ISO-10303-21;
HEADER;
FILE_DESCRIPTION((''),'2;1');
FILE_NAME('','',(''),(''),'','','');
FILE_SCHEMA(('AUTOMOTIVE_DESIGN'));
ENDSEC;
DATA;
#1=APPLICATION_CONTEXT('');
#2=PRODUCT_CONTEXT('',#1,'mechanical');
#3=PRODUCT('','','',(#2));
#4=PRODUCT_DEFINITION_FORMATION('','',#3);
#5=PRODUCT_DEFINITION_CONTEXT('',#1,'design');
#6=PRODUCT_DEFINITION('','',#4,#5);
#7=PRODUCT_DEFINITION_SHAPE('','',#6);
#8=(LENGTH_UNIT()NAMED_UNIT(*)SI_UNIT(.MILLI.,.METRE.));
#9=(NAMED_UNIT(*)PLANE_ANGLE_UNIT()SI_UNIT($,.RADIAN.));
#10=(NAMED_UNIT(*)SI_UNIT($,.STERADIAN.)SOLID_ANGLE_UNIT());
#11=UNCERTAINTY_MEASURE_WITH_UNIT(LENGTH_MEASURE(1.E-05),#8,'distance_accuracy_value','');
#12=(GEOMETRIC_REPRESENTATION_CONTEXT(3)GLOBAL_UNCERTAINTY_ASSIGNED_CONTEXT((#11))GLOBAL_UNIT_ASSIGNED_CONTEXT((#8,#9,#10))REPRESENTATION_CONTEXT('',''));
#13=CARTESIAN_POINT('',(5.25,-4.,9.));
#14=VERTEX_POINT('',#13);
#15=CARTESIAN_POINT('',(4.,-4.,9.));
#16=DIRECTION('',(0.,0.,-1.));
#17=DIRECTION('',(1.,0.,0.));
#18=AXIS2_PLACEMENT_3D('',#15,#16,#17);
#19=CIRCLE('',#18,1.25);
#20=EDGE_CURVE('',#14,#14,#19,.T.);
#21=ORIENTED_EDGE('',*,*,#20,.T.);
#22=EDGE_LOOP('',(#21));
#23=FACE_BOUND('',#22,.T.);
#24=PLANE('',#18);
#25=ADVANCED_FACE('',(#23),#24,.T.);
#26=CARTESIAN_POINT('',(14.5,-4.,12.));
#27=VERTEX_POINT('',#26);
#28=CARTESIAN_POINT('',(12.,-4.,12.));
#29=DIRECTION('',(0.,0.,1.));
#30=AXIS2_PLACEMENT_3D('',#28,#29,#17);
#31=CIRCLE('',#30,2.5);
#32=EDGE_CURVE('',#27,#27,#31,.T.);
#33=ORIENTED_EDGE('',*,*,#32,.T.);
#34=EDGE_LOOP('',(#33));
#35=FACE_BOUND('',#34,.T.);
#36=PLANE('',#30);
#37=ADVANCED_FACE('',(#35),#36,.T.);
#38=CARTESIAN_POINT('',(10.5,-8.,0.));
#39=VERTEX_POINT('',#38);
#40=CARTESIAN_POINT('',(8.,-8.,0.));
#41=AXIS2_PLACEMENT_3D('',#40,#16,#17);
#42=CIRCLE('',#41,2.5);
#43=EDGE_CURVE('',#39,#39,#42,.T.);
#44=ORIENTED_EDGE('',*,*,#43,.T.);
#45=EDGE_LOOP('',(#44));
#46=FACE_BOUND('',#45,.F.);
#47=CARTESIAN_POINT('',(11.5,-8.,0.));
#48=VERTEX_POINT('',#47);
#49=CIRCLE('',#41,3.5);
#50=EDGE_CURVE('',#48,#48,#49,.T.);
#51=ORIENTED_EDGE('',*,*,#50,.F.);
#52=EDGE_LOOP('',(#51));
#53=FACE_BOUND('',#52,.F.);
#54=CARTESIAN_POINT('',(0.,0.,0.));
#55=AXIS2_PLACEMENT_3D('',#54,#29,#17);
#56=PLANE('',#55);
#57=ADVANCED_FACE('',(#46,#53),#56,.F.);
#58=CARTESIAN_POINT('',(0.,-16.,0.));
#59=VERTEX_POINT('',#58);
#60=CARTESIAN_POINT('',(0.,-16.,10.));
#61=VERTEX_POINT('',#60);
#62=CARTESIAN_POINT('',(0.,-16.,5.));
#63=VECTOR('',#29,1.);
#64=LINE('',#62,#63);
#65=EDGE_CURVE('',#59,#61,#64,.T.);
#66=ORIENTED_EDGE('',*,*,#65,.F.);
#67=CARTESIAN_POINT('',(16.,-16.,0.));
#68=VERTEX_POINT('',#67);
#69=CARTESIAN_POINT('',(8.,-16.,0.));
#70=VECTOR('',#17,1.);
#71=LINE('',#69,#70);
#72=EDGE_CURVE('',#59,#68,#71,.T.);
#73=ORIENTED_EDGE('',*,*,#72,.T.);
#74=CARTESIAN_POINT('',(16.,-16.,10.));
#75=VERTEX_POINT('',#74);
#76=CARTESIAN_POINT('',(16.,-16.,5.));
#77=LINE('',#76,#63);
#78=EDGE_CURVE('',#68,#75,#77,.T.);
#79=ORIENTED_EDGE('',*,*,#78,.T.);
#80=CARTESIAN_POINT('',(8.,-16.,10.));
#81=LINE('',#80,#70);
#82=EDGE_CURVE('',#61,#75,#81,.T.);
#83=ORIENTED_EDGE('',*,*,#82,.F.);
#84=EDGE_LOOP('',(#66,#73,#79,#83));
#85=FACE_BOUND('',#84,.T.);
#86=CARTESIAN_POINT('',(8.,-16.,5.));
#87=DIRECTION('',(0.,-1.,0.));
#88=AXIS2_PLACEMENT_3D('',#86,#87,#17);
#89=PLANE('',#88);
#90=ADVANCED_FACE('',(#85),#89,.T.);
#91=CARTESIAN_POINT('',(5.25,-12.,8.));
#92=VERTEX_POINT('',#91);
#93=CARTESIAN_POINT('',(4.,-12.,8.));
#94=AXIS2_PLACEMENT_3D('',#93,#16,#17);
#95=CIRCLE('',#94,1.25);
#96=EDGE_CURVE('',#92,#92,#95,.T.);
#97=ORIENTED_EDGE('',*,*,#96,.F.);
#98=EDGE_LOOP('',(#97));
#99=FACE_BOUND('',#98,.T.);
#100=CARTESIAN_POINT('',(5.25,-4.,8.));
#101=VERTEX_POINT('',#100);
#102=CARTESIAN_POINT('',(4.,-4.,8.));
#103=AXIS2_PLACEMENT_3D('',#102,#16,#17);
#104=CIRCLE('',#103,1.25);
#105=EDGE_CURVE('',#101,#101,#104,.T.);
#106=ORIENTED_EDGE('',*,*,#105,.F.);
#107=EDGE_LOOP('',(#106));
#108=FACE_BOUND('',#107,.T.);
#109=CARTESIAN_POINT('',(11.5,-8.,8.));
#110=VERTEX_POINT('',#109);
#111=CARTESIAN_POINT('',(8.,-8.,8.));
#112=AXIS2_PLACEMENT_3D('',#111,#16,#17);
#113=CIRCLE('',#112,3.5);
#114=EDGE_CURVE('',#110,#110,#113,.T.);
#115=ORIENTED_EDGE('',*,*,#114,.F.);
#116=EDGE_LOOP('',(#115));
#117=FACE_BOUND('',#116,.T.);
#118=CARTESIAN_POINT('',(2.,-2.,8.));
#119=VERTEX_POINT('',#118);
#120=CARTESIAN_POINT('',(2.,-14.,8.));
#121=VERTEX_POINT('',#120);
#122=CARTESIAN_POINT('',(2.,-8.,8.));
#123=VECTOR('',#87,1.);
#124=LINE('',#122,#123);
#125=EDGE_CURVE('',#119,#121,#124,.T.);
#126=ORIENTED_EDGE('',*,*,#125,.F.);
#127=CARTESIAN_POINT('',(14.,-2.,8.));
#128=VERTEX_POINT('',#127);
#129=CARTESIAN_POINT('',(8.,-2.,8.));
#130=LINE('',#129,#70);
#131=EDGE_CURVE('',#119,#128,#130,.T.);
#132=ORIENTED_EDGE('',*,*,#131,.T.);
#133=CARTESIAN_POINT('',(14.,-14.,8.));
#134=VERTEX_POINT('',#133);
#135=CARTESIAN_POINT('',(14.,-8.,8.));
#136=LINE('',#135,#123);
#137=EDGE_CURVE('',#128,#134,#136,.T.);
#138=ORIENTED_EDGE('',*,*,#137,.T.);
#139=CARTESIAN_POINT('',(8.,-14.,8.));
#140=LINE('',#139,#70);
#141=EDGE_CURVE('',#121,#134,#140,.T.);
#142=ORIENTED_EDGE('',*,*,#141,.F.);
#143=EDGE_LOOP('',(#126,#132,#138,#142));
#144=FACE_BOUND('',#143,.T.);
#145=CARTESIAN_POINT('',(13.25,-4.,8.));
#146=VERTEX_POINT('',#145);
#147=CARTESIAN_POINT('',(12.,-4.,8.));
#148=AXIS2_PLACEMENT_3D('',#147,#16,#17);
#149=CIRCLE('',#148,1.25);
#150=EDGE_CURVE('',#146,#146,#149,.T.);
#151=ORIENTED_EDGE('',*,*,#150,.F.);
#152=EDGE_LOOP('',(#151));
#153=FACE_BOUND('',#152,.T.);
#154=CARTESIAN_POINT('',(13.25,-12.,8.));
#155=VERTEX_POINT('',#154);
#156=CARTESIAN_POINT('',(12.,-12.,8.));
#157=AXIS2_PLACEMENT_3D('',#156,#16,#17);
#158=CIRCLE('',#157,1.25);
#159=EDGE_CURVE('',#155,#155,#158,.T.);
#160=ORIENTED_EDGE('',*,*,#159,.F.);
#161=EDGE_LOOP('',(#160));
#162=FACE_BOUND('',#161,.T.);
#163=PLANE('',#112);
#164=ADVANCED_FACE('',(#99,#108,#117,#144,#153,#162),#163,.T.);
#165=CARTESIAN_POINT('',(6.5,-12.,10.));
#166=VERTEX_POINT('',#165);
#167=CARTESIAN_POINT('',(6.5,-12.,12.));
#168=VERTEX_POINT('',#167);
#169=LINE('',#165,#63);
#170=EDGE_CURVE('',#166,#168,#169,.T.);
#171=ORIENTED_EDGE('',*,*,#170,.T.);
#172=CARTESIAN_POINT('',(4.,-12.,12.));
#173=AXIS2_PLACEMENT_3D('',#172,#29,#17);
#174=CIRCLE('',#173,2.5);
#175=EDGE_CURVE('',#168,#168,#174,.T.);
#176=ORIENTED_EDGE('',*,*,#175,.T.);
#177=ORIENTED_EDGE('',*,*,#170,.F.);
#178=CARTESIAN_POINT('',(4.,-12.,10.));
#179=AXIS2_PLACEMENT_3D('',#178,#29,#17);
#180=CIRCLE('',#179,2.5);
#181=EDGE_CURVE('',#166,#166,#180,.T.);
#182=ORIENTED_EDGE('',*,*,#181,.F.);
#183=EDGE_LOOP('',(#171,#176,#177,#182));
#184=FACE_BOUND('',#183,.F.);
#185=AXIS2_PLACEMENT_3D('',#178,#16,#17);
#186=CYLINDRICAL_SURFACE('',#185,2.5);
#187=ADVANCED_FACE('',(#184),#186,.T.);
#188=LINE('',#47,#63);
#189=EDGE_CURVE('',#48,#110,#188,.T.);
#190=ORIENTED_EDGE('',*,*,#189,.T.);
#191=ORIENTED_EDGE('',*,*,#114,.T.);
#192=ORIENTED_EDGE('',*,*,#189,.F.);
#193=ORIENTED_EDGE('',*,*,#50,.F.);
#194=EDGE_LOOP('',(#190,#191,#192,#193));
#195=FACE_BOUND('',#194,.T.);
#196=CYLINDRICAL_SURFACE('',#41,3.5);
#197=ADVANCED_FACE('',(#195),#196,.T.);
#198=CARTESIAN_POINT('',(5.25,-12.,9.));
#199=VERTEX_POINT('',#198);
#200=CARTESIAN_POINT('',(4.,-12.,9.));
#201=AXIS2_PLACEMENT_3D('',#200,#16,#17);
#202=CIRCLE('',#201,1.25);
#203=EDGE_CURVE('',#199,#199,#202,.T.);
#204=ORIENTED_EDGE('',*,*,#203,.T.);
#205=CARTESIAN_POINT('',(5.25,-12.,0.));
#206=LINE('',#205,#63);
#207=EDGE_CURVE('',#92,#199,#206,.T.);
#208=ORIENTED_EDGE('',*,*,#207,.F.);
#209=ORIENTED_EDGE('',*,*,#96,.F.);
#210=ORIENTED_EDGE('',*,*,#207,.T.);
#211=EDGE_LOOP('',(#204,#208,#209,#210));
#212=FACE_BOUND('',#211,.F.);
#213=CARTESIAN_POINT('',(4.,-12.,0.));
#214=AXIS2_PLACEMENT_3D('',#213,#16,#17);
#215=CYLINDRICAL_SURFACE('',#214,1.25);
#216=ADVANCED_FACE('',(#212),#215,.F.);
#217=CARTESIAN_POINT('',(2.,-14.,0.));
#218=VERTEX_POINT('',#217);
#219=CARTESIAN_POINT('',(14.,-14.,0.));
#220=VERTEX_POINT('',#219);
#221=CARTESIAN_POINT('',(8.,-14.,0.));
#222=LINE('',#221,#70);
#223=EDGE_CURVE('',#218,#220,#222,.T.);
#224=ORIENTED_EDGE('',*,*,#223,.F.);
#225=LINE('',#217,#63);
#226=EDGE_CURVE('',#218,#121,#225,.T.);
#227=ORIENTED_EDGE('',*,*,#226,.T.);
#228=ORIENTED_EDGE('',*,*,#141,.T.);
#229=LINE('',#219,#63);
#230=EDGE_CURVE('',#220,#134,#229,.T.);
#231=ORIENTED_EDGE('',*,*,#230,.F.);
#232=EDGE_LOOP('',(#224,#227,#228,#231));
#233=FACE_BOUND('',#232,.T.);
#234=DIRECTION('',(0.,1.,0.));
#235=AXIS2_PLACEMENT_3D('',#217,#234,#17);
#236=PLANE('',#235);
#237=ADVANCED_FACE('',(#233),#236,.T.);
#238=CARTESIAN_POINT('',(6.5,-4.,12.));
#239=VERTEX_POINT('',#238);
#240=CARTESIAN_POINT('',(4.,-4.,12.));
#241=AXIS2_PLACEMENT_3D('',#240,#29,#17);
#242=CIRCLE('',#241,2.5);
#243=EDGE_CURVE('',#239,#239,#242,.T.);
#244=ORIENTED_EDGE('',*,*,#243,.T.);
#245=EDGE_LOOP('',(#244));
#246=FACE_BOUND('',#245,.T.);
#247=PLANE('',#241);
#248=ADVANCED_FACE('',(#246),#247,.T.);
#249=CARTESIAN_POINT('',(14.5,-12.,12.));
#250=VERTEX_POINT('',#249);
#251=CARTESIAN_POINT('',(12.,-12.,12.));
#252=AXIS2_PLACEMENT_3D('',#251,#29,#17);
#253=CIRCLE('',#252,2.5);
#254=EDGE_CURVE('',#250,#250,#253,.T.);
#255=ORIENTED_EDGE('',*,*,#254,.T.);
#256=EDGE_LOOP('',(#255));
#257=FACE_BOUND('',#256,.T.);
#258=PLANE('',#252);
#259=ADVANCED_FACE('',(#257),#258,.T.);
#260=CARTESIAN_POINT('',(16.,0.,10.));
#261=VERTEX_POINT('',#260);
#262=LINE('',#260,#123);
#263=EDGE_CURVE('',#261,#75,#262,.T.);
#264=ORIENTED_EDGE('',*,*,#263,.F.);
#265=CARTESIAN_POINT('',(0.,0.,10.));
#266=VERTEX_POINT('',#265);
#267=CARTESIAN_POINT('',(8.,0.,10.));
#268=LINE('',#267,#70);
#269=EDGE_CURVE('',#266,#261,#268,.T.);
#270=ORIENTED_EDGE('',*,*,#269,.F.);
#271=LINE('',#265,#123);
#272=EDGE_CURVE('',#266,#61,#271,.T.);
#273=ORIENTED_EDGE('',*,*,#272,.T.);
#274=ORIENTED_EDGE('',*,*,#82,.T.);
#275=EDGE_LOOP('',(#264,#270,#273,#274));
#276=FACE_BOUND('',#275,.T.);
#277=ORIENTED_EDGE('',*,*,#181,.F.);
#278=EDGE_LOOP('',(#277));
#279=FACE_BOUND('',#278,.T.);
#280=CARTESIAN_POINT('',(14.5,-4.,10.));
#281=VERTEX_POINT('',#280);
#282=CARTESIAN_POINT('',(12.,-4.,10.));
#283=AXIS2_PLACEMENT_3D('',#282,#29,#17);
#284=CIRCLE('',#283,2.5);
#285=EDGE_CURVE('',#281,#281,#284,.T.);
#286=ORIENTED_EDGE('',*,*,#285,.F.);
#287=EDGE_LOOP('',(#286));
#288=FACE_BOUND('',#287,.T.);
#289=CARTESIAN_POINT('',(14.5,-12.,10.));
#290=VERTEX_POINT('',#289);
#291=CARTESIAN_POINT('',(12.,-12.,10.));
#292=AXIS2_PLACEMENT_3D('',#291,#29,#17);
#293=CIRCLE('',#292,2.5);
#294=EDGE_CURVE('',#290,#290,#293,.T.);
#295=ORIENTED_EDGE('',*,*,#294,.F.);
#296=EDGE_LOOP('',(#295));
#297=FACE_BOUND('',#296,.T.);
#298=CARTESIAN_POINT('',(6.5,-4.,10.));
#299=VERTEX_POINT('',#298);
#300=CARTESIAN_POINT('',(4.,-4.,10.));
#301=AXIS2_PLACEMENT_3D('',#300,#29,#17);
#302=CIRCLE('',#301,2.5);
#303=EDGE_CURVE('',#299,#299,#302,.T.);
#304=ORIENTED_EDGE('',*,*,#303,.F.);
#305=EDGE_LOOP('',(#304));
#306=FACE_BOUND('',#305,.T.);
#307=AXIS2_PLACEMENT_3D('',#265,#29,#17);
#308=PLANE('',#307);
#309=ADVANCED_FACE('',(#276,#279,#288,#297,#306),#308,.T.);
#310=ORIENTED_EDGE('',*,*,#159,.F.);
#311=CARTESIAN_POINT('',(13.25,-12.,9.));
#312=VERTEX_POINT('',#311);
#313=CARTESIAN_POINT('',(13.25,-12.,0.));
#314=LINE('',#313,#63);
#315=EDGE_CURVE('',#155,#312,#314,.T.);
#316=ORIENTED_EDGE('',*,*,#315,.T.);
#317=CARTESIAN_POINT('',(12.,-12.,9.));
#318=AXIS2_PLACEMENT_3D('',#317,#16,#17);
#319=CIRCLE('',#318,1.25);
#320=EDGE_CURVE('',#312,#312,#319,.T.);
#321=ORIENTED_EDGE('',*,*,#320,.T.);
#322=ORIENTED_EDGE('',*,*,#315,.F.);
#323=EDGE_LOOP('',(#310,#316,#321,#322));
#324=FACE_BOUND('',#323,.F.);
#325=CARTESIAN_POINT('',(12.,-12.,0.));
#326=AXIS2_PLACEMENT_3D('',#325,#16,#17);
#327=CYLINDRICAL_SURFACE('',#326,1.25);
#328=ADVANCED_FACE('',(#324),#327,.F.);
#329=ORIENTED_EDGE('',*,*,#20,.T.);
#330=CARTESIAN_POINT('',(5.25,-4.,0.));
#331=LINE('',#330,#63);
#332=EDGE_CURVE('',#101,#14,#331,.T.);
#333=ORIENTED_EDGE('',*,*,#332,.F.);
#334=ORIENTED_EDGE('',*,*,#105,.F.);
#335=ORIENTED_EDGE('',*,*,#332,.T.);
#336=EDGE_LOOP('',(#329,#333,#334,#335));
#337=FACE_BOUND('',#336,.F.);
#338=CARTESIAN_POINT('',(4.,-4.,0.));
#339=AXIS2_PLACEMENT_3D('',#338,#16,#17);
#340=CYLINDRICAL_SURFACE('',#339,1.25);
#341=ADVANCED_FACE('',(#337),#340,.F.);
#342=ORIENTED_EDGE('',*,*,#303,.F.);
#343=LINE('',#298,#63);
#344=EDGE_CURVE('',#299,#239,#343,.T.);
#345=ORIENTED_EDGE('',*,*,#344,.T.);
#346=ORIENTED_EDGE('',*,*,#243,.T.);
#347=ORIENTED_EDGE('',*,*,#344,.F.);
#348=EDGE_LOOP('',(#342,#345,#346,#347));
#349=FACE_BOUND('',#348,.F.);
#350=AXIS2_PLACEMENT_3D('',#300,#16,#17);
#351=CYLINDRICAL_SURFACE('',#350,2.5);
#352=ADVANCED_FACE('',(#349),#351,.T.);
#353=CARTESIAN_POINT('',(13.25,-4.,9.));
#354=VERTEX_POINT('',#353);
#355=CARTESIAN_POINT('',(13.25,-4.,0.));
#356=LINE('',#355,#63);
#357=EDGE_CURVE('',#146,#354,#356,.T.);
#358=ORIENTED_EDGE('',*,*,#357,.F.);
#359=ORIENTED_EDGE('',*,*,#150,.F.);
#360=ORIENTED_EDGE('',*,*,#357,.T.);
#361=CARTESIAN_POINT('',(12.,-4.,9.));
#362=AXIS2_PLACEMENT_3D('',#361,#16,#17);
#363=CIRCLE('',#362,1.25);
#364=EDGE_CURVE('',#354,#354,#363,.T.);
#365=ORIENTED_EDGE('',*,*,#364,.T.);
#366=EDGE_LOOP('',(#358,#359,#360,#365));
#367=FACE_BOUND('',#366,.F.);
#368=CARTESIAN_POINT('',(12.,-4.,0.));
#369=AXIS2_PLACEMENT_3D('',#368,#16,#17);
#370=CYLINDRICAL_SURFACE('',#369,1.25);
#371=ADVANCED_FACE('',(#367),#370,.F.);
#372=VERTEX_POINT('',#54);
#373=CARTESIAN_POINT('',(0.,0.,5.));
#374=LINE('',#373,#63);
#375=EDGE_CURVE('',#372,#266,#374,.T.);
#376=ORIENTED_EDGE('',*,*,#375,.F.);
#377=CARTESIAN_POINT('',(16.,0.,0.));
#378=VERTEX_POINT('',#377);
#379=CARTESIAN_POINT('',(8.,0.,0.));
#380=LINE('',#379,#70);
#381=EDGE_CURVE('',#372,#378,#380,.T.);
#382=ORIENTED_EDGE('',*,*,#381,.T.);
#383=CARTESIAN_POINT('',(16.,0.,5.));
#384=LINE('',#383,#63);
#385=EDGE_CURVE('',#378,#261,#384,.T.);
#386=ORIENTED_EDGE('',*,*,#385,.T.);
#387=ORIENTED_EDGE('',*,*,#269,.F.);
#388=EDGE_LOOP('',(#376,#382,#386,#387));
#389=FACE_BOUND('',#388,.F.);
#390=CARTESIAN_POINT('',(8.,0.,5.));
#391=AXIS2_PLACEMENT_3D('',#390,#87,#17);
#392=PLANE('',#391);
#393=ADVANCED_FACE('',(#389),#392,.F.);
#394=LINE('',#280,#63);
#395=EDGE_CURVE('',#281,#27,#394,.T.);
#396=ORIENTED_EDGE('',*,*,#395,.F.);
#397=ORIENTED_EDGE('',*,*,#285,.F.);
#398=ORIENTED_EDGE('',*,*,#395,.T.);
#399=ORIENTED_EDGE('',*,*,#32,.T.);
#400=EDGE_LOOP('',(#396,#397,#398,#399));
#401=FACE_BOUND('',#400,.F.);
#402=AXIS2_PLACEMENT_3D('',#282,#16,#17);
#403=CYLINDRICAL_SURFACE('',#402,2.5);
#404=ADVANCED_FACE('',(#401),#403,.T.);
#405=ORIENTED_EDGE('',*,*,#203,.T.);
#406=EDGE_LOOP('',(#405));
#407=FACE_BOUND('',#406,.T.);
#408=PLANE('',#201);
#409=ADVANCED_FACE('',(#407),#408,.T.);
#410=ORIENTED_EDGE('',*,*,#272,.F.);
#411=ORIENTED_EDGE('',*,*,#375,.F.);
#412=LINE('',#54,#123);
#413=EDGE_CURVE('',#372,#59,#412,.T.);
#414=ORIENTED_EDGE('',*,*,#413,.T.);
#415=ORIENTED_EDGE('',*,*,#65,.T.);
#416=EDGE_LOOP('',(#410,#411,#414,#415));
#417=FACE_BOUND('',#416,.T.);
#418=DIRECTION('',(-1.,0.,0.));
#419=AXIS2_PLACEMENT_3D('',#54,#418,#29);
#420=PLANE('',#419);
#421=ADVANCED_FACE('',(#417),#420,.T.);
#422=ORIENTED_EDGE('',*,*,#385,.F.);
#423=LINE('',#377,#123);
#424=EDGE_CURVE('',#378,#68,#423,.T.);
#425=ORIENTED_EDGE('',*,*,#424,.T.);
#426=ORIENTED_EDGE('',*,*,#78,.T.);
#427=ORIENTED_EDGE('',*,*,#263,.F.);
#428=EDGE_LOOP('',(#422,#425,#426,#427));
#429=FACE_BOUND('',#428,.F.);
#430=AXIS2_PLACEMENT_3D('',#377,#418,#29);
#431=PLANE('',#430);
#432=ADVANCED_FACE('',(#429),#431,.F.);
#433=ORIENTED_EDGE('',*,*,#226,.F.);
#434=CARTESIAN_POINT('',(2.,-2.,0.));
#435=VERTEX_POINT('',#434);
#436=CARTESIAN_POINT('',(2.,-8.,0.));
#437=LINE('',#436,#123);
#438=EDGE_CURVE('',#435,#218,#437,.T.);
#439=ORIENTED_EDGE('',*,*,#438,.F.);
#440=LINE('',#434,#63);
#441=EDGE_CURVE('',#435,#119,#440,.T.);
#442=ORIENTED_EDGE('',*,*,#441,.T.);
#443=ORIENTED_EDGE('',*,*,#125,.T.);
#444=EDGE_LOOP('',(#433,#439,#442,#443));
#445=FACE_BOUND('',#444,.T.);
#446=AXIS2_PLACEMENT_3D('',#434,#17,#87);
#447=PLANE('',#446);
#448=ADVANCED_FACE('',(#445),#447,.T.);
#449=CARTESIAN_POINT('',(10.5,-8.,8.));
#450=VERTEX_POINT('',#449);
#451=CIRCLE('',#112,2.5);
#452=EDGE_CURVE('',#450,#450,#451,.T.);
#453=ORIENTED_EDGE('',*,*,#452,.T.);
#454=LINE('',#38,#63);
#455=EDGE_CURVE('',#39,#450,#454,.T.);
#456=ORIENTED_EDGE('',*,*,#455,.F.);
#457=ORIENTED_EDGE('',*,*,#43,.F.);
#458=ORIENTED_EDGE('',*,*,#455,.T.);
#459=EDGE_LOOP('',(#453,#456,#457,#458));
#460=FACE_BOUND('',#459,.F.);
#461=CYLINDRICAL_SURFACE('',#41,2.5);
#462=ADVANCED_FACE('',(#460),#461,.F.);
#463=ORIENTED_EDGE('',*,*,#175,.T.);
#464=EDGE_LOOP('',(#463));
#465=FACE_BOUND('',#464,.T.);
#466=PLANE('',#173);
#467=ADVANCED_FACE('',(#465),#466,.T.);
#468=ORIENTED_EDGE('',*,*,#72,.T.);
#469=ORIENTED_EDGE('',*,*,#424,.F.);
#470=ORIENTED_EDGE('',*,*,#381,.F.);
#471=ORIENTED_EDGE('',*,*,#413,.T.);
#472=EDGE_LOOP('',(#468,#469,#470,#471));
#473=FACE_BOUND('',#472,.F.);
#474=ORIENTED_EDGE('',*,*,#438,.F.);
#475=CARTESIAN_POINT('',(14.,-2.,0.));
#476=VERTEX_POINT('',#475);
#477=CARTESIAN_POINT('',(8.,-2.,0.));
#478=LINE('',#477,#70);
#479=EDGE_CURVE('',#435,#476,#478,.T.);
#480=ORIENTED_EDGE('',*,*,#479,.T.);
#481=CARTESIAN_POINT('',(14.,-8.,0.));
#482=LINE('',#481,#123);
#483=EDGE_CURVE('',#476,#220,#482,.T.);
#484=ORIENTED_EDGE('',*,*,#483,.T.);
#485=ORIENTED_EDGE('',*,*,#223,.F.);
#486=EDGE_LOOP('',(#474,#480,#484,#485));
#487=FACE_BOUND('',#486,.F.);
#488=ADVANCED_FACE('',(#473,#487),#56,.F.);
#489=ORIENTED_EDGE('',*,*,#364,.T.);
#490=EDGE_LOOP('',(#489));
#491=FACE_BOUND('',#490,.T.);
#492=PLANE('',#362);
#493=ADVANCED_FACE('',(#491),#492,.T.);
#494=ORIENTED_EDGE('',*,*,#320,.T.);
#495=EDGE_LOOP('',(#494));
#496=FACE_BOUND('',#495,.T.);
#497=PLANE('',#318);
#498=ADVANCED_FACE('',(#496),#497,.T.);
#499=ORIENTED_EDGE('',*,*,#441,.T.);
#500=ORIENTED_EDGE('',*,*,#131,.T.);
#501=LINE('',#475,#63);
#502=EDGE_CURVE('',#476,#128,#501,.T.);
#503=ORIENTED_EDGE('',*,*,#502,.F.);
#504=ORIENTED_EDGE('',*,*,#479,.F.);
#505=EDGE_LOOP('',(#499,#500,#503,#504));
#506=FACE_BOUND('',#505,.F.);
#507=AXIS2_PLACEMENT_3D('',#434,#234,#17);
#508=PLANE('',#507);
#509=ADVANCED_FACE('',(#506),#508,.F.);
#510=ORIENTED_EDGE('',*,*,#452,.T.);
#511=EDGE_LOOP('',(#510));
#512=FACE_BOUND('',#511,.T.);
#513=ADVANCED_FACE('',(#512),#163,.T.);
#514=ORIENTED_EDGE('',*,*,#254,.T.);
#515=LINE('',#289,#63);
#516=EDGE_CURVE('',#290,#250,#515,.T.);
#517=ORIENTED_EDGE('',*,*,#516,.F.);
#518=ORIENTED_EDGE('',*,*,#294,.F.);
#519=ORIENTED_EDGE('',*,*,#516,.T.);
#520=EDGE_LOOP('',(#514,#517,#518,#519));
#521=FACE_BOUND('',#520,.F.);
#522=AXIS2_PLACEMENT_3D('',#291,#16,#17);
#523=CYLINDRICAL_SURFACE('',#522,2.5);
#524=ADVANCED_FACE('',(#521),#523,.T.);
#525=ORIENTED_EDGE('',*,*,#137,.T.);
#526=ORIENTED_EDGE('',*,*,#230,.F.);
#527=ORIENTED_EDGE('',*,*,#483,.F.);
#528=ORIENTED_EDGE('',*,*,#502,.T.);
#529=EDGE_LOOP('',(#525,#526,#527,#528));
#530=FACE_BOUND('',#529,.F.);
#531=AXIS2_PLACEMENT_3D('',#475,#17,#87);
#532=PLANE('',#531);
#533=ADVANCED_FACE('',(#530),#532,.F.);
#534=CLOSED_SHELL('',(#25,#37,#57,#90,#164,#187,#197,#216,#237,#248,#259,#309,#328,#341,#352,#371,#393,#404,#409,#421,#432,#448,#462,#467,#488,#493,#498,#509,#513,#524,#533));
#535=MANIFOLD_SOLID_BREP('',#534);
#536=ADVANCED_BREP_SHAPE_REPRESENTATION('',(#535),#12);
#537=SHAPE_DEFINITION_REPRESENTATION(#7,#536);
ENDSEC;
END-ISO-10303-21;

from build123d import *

# Parameters (mm, degrees)
F0_W     = 16
F0_H     = 10
F1_DEPTH = 16
F2_R     = 2.5
F3_DEPTH = 2
F5_W     = 12
F5_H     = 12
F5_R     = 3.5
F5_R_2   = 2.5
F6_DEPTH = 8
F7_R     = 1.25
F8_DEPTH = 9


with BuildPart() as f1:
    # F0 (on Front) → F1 (new body)
    with BuildSketch(Plane.XZ):
        with Locations((8, 5)):
            Rectangle(F0_W, F0_H)
    extrude(amount=F1_DEPTH)

    # F2 (on face) → F3 (join)
    with BuildSketch(Plane.XY.offset(10)):
        with Locations((4, -4)):
            Circle(F2_R)
        with Locations((12, -4)):
            Circle(F2_R)
        with Locations((4, -12)):
            Circle(F2_R)
        with Locations((12, -12)):
            Circle(F2_R)
    extrude(amount=F3_DEPTH)

    # F5 (on face) → F6 (cut)
    with BuildSketch(Plane(origin=(0, 0, 0), x_dir=(1, 0, 0), z_dir=(0, 0, -1))):
        with Locations((8, 8)):
            Rectangle(F5_W, F5_H)
        with Locations((8, 8)):
            Circle(F5_R, mode=Mode.SUBTRACT)
        with Locations((8, 8)):
            Circle(F5_R_2)
    extrude(amount=-F6_DEPTH, mode=Mode.SUBTRACT)

    # F7 (on face) → F8 (cut)
    with BuildSketch(Plane(origin=(0, 0, 0), x_dir=(1, 0, 0), z_dir=(0, 0, -1))):
        with Locations((12, 12)):
            Circle(F7_R)
        with Locations((4, 12)):
            Circle(F7_R)
        with Locations((4, 4)):
            Circle(F7_R)
        with Locations((12, 4)):
            Circle(F7_R)
    extrude(amount=-F8_DEPTH, mode=Mode.SUBTRACT)


solid = f1.part
